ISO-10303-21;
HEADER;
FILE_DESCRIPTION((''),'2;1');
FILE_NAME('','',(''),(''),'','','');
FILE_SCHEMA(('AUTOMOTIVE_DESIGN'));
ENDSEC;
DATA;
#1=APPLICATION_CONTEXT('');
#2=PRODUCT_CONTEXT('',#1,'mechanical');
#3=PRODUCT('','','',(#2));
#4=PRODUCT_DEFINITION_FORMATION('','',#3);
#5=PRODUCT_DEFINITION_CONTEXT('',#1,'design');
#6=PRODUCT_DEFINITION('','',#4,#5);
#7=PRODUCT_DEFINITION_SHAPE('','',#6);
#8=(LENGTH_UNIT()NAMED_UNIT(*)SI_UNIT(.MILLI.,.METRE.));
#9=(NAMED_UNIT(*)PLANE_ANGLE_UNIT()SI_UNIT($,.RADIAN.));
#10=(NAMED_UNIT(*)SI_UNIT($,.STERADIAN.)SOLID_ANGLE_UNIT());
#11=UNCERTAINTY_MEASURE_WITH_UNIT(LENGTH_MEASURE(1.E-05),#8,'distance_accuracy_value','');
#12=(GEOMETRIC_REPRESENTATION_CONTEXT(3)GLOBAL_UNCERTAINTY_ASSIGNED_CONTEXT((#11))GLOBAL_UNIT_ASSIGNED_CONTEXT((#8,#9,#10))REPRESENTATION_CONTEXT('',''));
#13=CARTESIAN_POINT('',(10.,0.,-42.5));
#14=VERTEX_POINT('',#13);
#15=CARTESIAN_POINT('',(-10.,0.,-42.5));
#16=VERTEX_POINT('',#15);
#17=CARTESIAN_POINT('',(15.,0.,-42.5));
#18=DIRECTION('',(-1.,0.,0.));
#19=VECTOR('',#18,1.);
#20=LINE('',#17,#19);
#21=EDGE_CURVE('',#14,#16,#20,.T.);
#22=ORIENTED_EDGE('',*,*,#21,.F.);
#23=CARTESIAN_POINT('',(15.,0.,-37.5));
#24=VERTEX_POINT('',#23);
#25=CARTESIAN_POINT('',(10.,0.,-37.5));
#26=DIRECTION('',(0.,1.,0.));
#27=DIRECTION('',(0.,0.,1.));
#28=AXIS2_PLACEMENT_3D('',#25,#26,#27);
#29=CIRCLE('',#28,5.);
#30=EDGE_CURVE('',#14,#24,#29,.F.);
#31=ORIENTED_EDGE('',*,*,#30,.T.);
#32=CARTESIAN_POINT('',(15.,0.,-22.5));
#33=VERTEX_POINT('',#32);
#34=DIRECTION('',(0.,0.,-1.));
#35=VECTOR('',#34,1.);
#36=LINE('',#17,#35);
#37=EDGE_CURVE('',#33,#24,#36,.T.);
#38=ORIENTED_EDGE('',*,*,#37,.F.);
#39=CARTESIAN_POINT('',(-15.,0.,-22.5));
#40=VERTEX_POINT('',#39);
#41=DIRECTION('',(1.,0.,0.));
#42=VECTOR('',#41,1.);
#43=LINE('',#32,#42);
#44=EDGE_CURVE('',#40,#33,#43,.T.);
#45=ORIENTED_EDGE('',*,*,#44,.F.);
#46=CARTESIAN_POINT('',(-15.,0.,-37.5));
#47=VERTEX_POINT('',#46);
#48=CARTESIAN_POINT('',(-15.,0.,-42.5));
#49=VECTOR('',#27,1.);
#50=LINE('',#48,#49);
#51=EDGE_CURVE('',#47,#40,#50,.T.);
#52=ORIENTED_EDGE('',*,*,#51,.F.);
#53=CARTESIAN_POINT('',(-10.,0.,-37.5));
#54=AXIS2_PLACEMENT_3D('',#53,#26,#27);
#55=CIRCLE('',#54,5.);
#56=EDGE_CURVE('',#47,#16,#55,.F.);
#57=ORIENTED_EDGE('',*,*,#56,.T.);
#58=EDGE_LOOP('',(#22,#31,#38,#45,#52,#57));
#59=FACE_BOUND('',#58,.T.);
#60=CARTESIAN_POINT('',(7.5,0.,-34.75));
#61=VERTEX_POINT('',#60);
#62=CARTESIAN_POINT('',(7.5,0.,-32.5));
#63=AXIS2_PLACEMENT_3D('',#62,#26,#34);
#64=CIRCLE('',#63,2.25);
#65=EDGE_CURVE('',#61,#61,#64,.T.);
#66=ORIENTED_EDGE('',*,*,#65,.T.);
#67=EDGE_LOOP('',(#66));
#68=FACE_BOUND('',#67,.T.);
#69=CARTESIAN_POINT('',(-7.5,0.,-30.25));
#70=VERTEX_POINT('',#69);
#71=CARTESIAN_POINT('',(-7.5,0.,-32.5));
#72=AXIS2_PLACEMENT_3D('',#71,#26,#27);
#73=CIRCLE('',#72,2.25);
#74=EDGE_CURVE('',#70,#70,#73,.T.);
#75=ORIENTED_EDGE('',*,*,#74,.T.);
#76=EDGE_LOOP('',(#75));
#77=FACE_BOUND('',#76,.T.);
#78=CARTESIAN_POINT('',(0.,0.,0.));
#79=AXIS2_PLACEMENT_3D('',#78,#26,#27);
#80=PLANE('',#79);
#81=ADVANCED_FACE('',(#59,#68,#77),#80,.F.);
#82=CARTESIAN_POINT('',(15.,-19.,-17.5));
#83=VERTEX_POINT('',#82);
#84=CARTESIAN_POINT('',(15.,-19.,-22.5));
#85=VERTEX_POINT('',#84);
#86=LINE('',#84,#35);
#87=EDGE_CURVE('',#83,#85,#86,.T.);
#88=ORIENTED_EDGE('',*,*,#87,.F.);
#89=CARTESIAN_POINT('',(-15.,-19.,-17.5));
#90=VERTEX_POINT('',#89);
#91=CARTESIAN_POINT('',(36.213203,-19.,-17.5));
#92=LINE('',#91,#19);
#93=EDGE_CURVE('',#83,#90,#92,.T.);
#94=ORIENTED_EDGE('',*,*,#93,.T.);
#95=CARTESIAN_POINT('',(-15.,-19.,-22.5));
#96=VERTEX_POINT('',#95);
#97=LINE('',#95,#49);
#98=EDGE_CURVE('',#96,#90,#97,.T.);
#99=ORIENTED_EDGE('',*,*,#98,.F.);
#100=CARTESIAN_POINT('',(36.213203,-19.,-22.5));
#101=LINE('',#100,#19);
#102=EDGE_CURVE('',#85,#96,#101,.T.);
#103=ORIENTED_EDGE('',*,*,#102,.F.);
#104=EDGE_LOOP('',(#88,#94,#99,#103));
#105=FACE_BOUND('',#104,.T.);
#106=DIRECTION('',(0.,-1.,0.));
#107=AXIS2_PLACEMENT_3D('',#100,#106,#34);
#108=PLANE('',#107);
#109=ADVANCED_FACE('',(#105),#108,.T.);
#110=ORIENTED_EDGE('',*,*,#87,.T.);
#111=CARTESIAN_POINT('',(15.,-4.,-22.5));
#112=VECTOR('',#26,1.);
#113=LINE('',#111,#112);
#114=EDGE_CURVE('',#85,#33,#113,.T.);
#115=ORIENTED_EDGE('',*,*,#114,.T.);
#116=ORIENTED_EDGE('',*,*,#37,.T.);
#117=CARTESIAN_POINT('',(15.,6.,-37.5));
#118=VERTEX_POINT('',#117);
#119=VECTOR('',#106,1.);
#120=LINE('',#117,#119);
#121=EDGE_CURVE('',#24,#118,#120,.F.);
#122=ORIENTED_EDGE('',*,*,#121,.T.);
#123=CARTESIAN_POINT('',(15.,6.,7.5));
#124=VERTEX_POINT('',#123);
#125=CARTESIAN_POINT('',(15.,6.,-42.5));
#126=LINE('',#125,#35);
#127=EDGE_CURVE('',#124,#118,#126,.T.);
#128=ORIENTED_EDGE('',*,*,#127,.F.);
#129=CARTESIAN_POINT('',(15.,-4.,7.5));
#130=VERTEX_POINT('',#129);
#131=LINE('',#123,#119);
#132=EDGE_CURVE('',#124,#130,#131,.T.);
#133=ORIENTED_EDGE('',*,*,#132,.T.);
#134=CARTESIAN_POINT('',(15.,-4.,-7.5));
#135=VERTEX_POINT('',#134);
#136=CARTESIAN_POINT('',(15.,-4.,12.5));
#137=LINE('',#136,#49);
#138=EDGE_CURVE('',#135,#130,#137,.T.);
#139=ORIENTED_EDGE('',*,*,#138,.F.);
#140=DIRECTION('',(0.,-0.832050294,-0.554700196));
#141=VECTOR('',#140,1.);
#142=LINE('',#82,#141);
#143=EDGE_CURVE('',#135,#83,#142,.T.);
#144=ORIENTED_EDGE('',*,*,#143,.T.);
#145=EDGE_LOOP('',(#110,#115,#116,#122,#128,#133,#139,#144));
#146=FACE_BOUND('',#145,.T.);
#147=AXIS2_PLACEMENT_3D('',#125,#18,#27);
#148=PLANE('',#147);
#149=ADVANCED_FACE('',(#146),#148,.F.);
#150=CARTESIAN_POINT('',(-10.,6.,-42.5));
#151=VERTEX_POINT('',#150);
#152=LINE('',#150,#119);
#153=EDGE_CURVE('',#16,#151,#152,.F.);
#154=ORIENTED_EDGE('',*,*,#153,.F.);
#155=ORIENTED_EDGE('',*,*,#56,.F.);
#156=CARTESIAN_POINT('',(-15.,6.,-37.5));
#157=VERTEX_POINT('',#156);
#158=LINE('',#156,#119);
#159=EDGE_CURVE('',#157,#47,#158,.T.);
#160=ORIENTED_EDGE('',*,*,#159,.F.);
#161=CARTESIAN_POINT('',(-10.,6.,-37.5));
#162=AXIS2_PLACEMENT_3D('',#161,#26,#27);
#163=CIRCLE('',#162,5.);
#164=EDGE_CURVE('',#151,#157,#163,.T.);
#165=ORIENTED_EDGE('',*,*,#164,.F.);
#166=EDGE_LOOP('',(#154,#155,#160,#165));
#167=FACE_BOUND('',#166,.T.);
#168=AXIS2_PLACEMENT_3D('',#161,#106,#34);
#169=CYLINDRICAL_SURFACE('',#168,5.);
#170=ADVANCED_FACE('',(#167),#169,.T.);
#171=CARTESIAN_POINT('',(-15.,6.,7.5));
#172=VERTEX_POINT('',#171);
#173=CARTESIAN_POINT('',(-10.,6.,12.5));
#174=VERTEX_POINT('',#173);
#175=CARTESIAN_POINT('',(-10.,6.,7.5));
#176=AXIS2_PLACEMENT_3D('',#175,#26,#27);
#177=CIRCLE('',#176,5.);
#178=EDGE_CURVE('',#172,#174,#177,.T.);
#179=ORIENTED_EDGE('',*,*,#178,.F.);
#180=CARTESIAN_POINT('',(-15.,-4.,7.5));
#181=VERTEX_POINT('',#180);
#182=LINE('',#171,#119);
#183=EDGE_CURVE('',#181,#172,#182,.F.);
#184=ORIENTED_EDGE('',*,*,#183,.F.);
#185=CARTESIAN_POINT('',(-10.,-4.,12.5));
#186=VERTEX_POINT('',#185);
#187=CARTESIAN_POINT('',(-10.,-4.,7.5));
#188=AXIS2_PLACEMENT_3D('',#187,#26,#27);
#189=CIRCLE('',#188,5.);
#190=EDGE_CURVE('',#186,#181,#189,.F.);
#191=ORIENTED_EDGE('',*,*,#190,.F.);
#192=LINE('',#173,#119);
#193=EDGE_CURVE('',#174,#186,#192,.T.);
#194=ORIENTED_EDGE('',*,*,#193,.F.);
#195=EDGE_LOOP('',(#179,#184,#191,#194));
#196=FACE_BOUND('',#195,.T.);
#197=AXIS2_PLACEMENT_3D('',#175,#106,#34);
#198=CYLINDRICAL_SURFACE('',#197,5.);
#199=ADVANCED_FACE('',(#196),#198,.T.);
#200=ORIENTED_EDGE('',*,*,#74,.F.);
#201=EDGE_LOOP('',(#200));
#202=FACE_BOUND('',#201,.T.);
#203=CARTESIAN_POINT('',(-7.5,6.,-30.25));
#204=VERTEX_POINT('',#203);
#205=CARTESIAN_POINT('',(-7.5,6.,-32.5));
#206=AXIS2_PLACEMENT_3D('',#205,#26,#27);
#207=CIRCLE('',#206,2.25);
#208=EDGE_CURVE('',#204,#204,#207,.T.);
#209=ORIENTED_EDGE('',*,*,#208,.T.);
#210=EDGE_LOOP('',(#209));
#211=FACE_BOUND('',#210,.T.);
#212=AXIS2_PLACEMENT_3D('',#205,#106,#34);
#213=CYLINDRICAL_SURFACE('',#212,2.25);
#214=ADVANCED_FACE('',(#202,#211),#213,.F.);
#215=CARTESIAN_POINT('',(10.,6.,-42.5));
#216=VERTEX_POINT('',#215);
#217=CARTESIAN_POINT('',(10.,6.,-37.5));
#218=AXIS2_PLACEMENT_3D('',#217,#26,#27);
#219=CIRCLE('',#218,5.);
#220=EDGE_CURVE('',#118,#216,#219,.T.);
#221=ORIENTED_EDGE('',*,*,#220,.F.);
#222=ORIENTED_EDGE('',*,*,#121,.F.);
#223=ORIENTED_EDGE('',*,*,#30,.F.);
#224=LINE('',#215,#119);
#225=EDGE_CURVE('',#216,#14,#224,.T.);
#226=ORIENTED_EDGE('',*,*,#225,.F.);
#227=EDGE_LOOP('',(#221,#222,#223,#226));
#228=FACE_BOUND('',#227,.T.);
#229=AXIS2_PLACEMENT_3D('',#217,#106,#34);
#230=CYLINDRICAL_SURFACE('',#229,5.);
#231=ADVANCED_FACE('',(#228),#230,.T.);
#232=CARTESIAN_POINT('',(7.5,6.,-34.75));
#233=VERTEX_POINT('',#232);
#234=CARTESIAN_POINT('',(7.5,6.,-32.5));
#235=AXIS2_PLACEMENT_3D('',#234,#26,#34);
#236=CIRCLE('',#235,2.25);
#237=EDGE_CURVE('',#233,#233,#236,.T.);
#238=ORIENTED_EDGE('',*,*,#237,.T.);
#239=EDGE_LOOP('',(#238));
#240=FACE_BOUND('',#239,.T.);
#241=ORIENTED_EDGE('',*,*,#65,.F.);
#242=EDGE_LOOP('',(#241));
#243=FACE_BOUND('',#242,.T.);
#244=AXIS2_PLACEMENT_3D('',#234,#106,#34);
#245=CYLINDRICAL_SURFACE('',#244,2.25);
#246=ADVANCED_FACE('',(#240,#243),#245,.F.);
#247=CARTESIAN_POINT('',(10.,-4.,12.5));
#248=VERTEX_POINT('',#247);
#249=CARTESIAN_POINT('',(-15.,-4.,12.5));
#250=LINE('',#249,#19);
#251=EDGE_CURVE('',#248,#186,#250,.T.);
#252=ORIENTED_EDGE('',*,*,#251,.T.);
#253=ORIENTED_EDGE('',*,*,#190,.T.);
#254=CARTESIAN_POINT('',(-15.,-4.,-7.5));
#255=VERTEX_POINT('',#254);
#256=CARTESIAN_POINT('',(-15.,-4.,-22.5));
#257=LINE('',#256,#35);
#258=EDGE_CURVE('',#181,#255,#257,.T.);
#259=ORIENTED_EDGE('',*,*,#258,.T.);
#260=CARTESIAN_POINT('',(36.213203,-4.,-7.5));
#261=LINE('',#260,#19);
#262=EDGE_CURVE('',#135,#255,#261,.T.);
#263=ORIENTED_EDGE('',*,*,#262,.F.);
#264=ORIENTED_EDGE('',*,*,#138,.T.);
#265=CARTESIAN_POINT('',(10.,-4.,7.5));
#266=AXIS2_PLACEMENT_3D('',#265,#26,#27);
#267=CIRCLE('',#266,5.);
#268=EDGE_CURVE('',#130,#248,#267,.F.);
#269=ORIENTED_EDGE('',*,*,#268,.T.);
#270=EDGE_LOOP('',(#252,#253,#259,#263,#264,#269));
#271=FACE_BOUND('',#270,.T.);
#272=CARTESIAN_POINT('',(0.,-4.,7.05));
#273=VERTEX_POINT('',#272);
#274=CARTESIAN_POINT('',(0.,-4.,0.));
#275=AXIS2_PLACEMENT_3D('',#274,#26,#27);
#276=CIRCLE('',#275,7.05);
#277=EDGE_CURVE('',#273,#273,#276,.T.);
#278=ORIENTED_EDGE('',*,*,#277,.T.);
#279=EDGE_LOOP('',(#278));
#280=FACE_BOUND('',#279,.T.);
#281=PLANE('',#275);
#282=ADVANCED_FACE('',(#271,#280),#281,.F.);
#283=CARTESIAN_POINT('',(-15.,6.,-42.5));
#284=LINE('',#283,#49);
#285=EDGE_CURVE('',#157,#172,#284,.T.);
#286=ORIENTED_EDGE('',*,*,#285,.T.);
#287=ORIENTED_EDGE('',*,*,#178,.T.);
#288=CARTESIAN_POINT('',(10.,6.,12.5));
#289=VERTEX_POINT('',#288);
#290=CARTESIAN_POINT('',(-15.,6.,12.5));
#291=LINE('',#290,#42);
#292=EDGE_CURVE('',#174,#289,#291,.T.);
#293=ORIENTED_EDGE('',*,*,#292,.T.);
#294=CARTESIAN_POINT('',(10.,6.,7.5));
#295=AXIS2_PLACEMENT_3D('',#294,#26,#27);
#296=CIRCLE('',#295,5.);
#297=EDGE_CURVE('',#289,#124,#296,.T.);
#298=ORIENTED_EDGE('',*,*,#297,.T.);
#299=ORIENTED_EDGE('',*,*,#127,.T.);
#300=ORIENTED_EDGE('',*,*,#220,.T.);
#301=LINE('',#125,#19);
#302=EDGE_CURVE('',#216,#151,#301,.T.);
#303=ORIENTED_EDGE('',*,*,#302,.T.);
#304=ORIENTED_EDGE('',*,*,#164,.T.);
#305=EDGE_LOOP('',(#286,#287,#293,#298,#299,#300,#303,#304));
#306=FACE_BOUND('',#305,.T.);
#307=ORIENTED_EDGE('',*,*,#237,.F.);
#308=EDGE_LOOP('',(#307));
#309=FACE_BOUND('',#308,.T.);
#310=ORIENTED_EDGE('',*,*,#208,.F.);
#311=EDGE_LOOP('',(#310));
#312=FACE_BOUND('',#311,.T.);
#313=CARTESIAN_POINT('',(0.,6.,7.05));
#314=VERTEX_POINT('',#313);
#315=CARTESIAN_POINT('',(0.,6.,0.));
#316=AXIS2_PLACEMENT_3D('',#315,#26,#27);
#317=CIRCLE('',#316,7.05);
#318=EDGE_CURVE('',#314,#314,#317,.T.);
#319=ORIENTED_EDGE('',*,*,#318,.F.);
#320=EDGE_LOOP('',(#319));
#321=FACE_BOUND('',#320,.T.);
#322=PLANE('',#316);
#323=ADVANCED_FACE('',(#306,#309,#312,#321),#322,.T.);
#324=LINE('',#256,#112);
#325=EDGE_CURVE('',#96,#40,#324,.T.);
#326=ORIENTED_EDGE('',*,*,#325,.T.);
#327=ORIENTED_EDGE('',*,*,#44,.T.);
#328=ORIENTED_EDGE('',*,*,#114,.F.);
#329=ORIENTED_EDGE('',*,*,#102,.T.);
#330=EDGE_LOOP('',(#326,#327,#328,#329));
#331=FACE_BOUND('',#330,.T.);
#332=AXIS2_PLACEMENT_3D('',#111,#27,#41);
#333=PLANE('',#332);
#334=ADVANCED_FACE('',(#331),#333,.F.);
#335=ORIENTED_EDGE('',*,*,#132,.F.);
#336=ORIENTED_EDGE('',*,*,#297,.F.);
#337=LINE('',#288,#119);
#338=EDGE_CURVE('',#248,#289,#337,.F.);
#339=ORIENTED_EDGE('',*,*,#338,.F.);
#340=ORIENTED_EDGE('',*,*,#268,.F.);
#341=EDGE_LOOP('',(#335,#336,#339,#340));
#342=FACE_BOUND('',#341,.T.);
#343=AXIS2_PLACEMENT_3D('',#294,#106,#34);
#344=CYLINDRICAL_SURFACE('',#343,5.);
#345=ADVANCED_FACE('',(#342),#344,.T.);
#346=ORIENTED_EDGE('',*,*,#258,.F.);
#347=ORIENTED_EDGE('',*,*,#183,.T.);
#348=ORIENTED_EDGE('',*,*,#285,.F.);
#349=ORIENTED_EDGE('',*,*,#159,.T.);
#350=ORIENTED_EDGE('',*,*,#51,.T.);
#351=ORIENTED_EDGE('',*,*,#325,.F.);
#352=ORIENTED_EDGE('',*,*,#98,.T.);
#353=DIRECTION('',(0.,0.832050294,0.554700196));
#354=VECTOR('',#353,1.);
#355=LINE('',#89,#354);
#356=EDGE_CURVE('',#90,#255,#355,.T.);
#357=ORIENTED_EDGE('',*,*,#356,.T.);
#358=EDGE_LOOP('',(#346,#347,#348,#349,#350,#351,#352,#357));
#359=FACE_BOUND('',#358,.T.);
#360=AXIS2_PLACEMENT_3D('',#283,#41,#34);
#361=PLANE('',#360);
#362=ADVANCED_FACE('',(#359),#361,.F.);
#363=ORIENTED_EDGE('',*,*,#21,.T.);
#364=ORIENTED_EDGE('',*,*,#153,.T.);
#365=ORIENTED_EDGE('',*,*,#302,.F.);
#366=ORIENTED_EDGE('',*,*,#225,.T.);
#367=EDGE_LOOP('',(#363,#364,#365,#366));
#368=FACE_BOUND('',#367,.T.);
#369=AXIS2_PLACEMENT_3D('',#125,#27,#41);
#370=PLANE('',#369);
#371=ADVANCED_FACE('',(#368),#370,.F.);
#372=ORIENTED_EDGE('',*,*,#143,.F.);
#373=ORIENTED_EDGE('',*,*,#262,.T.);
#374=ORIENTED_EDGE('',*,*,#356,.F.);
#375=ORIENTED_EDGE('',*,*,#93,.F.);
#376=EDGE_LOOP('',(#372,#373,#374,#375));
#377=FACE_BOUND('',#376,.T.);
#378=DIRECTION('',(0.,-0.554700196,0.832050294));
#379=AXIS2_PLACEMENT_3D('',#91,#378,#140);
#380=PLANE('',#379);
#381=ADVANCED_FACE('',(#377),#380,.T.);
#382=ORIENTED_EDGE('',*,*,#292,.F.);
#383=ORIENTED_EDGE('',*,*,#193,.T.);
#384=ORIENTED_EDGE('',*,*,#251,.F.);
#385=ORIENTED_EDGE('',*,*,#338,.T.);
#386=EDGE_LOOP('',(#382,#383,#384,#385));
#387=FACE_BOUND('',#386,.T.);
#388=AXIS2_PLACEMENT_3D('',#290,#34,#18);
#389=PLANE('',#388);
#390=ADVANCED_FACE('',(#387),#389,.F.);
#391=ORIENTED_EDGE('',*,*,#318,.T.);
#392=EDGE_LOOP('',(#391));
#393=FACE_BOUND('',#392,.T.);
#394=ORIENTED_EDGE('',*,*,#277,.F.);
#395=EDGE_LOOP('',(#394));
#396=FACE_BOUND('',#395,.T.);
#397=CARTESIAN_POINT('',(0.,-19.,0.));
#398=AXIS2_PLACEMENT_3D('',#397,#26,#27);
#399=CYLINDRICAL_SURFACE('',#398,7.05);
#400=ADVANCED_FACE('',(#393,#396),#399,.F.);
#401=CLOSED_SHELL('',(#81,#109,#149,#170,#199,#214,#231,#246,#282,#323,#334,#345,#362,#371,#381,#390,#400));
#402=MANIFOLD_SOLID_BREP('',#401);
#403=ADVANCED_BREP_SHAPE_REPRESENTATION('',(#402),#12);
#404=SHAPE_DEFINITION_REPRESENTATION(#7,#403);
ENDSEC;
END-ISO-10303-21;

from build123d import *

# Parameters (mm, degrees)
SKETCH1_W               = 30
SKETCH1_H               = 55
SKETCH1_R               = 2.25
BOSS_EXTRUDE1_DEPTH     = 6
SKETCH3_W               = 30
SKETCH3_H               = 35
BOSS_EXTRUDE2_DEPTH     = 4
BOSS_EXTRUDE3_DEPTH     = 30
CUT_EXTRUDE1_DEPTH      = 52.53882032
CUT_EXTRUDE1_DEPTH_BACK = 52.53882032
SKETCH2_R               = 7.05
FILLET1_R               = 5


with BuildPart() as part:
    # Sketch1 → Boss-Extrude1 (new body)
    with BuildSketch(Plane(origin=(0, 0, 0), x_dir=(1, 0, 0), z_dir=(0, 1, 0))):
        with Locations((0, 15)):
            Rectangle(SKETCH1_W, SKETCH1_H)
        with Locations(Location((-7.5, 32.5, 0), (0, 0, 270))):
            Circle(SKETCH1_R, mode=Mode.SUBTRACT)
        with Locations(Location((7.5, 32.5, 0), (0, 0, 90))):
            Circle(SKETCH1_R, mode=Mode.SUBTRACT)
    extrude(amount=BOSS_EXTRUDE1_DEPTH)

    # Sketch3 → Boss-Extrude2 (add)
    with BuildSketch(Plane.XZ):
        with Locations((0, -5)):
            Rectangle(SKETCH3_W, SKETCH3_H)
    extrude(amount=BOSS_EXTRUDE2_DEPTH)

    # Sketch4 → Boss-Extrude3 (add)
    with BuildSketch(Plane.ZY.offset(15)):
        Polygon((-22.5, -4), (-22.5, -19), (-17.5, -19), (-7.5, -4), align=None)
    extrude(amount=-BOSS_EXTRUDE3_DEPTH)

    # Sketch2 → Cut-Extrude1 (cut, two sides: drawn at the far end of the back side and taken through both)
    with BuildSketch(Plane(origin=(0, 6, 0), x_dir=(1, 0, 0), z_dir=(0, 1, 0)).offset(-CUT_EXTRUDE1_DEPTH_BACK)):
        with Locations(Location((0, 0, 0), (0, 0, 270))):
            Circle(SKETCH2_R)
    extrude(amount=CUT_EXTRUDE1_DEPTH + CUT_EXTRUDE1_DEPTH_BACK, mode=Mode.SUBTRACT)

    # Fillet1
    fillet1_edges = [part.edges().sort_by_distance(p)[0] for p in [
        (-15, 3, -42.5),
        (15, 3, -42.5),
        (15, 1, 12.5),
        (-15, 1, 12.5),
    ]]
    fillet(fillet1_edges, radius=FILLET1_R)


solid = part.part
